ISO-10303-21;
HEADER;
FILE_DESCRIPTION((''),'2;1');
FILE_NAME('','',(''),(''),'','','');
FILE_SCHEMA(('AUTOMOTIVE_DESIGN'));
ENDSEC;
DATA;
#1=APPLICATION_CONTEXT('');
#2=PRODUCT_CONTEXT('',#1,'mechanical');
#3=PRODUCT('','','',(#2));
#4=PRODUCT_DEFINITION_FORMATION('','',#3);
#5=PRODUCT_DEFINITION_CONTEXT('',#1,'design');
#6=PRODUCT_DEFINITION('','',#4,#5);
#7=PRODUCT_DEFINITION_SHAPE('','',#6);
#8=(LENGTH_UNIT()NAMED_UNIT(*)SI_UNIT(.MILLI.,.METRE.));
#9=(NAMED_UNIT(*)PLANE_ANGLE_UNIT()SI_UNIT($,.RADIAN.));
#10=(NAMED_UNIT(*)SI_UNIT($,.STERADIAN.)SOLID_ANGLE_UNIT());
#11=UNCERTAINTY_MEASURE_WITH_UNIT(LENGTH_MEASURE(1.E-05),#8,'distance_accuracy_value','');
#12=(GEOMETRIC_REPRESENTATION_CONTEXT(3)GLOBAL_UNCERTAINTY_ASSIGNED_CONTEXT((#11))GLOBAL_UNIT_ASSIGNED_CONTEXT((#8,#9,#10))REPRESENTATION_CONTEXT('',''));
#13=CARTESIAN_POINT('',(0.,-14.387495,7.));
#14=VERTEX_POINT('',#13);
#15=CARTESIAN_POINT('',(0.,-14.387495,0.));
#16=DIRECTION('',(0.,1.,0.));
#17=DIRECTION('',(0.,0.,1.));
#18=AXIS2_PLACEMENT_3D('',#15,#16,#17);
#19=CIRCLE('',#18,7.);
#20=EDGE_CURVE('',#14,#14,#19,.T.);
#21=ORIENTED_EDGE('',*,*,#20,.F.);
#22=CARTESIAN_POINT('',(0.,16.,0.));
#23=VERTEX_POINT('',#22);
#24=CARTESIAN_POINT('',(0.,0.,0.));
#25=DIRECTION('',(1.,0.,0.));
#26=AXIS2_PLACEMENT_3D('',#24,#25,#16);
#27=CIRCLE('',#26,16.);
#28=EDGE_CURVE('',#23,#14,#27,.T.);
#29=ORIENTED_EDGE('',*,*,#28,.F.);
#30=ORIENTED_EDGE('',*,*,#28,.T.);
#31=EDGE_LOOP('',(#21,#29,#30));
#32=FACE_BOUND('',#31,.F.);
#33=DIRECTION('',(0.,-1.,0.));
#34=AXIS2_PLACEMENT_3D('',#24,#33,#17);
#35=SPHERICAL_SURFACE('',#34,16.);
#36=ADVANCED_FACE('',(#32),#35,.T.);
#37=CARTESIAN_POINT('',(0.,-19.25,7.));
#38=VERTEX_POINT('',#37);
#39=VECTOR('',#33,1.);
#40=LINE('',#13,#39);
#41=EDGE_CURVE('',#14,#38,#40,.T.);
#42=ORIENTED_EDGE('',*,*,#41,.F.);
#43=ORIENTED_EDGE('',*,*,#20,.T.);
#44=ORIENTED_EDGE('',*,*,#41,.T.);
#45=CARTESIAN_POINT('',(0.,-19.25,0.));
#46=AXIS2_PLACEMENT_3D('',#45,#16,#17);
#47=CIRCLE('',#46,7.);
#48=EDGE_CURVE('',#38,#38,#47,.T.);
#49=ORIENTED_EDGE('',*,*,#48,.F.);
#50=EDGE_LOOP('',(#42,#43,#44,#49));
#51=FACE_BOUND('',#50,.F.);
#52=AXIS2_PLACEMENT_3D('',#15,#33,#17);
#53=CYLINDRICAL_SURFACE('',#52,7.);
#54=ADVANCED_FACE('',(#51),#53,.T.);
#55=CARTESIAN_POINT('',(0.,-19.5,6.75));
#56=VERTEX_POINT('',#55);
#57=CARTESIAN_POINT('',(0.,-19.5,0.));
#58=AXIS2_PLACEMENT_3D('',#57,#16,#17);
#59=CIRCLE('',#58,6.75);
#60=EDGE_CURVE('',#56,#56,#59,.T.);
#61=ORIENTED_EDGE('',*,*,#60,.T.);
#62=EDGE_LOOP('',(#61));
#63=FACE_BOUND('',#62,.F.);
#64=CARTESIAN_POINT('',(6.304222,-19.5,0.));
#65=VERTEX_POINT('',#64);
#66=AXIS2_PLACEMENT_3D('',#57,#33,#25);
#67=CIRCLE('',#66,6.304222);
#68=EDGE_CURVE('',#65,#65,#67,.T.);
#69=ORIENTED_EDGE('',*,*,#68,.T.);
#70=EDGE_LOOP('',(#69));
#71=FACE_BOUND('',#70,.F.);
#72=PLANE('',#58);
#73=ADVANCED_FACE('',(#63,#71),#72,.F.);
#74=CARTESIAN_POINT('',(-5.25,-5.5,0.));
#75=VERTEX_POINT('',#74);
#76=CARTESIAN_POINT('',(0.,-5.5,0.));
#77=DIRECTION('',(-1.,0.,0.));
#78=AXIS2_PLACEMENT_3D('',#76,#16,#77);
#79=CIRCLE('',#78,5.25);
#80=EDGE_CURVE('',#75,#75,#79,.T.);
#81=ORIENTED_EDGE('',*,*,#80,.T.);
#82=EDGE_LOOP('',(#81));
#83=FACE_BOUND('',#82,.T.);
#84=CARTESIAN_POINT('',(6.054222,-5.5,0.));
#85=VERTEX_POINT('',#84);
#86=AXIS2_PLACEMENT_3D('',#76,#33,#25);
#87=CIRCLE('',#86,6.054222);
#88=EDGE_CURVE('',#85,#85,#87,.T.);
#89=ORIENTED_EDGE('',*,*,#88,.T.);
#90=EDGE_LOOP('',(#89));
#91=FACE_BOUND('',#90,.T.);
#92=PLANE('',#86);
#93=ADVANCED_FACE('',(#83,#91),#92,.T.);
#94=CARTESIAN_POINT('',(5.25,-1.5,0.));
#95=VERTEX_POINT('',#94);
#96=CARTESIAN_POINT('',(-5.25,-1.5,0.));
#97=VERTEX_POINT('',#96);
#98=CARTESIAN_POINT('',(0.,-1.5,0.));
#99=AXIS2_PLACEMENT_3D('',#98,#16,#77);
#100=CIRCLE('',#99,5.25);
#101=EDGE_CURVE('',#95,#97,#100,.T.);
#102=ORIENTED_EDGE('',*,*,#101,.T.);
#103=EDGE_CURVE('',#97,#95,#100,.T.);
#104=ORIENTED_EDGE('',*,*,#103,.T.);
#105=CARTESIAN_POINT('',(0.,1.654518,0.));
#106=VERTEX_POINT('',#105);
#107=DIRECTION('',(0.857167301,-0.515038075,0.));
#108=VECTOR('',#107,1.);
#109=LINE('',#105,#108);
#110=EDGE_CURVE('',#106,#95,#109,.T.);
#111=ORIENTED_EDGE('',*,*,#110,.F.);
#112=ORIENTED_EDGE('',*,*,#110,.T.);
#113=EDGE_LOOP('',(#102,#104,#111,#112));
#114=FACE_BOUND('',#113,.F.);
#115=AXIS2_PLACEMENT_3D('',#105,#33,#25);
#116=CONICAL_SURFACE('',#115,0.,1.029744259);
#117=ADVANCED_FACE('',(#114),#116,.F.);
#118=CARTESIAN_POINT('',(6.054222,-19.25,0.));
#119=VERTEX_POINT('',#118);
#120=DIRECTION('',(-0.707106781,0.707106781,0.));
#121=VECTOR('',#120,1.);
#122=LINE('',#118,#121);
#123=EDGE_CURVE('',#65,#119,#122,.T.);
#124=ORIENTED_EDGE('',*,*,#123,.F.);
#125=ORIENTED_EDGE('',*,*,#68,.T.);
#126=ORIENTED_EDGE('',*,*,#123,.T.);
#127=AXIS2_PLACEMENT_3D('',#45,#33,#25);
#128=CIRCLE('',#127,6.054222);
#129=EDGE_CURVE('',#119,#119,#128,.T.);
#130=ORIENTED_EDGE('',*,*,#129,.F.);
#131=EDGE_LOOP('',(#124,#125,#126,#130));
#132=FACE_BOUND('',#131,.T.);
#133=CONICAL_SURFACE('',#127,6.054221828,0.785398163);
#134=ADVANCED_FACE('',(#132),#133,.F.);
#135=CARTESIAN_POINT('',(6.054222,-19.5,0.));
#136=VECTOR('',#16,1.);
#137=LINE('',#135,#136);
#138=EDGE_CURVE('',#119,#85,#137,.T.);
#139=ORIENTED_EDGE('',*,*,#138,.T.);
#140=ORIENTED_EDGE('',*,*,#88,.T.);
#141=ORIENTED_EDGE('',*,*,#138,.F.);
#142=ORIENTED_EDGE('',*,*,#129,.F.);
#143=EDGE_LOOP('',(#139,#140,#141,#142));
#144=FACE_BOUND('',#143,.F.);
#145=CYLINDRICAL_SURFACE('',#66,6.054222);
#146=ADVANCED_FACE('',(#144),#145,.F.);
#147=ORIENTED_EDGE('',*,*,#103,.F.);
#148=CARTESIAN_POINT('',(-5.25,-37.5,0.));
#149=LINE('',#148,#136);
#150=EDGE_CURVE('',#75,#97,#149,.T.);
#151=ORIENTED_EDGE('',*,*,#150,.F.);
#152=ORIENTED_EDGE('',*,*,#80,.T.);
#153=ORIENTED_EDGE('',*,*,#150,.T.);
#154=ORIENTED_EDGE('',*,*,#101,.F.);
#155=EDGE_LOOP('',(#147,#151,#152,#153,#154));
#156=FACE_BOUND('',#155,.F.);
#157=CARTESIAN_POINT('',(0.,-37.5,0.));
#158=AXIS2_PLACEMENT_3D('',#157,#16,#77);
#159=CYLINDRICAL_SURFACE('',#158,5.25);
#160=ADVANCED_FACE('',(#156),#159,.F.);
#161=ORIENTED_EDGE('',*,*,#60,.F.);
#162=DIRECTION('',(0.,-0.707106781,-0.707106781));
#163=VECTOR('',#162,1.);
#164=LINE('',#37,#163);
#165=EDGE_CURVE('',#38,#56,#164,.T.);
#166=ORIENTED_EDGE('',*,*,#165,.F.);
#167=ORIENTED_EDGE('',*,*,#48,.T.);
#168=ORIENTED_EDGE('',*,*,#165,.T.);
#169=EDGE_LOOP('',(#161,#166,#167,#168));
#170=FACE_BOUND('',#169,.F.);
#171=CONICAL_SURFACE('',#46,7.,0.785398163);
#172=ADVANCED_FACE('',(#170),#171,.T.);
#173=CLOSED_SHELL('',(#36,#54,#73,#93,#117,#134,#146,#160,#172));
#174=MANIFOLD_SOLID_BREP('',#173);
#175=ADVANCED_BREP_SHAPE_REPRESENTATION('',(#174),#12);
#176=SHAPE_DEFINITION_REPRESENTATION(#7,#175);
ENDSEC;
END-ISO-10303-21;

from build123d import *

# Parameters (mm, degrees)
F3_D     = 10.5
F3_DEPTH = 18
F3_TIP   = 3.1545182499
F4_R     = 6.054221828
F5_DEPTH = 14
F6_SIZE  = 0.25


with BuildPart() as f1:
    # F0 (on Right) → F1 (revolve)
    with BuildSketch(Plane.YZ):
        with BuildLine():
            ThreePointArc((16, 0), (3.5916630466, 15.5916630466), (-14.3874945699, 7))
            Line((-14.3874945699, 7), (-16, 7))
            Line((-16, 7), (-19.5, 7))
            Line((-19.5, 7), (-19.5, 0))
            Line((-19.5, 0), (-16, 0))
            Line((-16, 0), (16, 0))
        make_face()
    revolve(axis=Axis((0, 0, 0), (0, 1, 0)))

    # F3
    with Locations(Plane.XZ.offset(19.5)):
        with Locations((0, 0)):
            Hole(F3_D / 2, depth=F3_DEPTH)
            with Locations((0, 0, -(F3_DEPTH + F3_TIP / 2))):  # 118° drill point
                Cone(0, F3_D / 2, F3_TIP, mode=Mode.SUBTRACT)

    # F4 (on face) → F5 (cut)
    with BuildSketch(Plane.XZ.offset(19.5)):
        Circle(F4_R)
    extrude(amount=-F5_DEPTH, mode=Mode.SUBTRACT)

    # F6
    f6_edges = [f1.edges().sort_by_distance(p)[0] for p in [
        (0, -19.5, -7),
        (-6.054222, -19.5, 0),
    ]]
    chamfer(f6_edges, length=F6_SIZE)


solid = f1.part
